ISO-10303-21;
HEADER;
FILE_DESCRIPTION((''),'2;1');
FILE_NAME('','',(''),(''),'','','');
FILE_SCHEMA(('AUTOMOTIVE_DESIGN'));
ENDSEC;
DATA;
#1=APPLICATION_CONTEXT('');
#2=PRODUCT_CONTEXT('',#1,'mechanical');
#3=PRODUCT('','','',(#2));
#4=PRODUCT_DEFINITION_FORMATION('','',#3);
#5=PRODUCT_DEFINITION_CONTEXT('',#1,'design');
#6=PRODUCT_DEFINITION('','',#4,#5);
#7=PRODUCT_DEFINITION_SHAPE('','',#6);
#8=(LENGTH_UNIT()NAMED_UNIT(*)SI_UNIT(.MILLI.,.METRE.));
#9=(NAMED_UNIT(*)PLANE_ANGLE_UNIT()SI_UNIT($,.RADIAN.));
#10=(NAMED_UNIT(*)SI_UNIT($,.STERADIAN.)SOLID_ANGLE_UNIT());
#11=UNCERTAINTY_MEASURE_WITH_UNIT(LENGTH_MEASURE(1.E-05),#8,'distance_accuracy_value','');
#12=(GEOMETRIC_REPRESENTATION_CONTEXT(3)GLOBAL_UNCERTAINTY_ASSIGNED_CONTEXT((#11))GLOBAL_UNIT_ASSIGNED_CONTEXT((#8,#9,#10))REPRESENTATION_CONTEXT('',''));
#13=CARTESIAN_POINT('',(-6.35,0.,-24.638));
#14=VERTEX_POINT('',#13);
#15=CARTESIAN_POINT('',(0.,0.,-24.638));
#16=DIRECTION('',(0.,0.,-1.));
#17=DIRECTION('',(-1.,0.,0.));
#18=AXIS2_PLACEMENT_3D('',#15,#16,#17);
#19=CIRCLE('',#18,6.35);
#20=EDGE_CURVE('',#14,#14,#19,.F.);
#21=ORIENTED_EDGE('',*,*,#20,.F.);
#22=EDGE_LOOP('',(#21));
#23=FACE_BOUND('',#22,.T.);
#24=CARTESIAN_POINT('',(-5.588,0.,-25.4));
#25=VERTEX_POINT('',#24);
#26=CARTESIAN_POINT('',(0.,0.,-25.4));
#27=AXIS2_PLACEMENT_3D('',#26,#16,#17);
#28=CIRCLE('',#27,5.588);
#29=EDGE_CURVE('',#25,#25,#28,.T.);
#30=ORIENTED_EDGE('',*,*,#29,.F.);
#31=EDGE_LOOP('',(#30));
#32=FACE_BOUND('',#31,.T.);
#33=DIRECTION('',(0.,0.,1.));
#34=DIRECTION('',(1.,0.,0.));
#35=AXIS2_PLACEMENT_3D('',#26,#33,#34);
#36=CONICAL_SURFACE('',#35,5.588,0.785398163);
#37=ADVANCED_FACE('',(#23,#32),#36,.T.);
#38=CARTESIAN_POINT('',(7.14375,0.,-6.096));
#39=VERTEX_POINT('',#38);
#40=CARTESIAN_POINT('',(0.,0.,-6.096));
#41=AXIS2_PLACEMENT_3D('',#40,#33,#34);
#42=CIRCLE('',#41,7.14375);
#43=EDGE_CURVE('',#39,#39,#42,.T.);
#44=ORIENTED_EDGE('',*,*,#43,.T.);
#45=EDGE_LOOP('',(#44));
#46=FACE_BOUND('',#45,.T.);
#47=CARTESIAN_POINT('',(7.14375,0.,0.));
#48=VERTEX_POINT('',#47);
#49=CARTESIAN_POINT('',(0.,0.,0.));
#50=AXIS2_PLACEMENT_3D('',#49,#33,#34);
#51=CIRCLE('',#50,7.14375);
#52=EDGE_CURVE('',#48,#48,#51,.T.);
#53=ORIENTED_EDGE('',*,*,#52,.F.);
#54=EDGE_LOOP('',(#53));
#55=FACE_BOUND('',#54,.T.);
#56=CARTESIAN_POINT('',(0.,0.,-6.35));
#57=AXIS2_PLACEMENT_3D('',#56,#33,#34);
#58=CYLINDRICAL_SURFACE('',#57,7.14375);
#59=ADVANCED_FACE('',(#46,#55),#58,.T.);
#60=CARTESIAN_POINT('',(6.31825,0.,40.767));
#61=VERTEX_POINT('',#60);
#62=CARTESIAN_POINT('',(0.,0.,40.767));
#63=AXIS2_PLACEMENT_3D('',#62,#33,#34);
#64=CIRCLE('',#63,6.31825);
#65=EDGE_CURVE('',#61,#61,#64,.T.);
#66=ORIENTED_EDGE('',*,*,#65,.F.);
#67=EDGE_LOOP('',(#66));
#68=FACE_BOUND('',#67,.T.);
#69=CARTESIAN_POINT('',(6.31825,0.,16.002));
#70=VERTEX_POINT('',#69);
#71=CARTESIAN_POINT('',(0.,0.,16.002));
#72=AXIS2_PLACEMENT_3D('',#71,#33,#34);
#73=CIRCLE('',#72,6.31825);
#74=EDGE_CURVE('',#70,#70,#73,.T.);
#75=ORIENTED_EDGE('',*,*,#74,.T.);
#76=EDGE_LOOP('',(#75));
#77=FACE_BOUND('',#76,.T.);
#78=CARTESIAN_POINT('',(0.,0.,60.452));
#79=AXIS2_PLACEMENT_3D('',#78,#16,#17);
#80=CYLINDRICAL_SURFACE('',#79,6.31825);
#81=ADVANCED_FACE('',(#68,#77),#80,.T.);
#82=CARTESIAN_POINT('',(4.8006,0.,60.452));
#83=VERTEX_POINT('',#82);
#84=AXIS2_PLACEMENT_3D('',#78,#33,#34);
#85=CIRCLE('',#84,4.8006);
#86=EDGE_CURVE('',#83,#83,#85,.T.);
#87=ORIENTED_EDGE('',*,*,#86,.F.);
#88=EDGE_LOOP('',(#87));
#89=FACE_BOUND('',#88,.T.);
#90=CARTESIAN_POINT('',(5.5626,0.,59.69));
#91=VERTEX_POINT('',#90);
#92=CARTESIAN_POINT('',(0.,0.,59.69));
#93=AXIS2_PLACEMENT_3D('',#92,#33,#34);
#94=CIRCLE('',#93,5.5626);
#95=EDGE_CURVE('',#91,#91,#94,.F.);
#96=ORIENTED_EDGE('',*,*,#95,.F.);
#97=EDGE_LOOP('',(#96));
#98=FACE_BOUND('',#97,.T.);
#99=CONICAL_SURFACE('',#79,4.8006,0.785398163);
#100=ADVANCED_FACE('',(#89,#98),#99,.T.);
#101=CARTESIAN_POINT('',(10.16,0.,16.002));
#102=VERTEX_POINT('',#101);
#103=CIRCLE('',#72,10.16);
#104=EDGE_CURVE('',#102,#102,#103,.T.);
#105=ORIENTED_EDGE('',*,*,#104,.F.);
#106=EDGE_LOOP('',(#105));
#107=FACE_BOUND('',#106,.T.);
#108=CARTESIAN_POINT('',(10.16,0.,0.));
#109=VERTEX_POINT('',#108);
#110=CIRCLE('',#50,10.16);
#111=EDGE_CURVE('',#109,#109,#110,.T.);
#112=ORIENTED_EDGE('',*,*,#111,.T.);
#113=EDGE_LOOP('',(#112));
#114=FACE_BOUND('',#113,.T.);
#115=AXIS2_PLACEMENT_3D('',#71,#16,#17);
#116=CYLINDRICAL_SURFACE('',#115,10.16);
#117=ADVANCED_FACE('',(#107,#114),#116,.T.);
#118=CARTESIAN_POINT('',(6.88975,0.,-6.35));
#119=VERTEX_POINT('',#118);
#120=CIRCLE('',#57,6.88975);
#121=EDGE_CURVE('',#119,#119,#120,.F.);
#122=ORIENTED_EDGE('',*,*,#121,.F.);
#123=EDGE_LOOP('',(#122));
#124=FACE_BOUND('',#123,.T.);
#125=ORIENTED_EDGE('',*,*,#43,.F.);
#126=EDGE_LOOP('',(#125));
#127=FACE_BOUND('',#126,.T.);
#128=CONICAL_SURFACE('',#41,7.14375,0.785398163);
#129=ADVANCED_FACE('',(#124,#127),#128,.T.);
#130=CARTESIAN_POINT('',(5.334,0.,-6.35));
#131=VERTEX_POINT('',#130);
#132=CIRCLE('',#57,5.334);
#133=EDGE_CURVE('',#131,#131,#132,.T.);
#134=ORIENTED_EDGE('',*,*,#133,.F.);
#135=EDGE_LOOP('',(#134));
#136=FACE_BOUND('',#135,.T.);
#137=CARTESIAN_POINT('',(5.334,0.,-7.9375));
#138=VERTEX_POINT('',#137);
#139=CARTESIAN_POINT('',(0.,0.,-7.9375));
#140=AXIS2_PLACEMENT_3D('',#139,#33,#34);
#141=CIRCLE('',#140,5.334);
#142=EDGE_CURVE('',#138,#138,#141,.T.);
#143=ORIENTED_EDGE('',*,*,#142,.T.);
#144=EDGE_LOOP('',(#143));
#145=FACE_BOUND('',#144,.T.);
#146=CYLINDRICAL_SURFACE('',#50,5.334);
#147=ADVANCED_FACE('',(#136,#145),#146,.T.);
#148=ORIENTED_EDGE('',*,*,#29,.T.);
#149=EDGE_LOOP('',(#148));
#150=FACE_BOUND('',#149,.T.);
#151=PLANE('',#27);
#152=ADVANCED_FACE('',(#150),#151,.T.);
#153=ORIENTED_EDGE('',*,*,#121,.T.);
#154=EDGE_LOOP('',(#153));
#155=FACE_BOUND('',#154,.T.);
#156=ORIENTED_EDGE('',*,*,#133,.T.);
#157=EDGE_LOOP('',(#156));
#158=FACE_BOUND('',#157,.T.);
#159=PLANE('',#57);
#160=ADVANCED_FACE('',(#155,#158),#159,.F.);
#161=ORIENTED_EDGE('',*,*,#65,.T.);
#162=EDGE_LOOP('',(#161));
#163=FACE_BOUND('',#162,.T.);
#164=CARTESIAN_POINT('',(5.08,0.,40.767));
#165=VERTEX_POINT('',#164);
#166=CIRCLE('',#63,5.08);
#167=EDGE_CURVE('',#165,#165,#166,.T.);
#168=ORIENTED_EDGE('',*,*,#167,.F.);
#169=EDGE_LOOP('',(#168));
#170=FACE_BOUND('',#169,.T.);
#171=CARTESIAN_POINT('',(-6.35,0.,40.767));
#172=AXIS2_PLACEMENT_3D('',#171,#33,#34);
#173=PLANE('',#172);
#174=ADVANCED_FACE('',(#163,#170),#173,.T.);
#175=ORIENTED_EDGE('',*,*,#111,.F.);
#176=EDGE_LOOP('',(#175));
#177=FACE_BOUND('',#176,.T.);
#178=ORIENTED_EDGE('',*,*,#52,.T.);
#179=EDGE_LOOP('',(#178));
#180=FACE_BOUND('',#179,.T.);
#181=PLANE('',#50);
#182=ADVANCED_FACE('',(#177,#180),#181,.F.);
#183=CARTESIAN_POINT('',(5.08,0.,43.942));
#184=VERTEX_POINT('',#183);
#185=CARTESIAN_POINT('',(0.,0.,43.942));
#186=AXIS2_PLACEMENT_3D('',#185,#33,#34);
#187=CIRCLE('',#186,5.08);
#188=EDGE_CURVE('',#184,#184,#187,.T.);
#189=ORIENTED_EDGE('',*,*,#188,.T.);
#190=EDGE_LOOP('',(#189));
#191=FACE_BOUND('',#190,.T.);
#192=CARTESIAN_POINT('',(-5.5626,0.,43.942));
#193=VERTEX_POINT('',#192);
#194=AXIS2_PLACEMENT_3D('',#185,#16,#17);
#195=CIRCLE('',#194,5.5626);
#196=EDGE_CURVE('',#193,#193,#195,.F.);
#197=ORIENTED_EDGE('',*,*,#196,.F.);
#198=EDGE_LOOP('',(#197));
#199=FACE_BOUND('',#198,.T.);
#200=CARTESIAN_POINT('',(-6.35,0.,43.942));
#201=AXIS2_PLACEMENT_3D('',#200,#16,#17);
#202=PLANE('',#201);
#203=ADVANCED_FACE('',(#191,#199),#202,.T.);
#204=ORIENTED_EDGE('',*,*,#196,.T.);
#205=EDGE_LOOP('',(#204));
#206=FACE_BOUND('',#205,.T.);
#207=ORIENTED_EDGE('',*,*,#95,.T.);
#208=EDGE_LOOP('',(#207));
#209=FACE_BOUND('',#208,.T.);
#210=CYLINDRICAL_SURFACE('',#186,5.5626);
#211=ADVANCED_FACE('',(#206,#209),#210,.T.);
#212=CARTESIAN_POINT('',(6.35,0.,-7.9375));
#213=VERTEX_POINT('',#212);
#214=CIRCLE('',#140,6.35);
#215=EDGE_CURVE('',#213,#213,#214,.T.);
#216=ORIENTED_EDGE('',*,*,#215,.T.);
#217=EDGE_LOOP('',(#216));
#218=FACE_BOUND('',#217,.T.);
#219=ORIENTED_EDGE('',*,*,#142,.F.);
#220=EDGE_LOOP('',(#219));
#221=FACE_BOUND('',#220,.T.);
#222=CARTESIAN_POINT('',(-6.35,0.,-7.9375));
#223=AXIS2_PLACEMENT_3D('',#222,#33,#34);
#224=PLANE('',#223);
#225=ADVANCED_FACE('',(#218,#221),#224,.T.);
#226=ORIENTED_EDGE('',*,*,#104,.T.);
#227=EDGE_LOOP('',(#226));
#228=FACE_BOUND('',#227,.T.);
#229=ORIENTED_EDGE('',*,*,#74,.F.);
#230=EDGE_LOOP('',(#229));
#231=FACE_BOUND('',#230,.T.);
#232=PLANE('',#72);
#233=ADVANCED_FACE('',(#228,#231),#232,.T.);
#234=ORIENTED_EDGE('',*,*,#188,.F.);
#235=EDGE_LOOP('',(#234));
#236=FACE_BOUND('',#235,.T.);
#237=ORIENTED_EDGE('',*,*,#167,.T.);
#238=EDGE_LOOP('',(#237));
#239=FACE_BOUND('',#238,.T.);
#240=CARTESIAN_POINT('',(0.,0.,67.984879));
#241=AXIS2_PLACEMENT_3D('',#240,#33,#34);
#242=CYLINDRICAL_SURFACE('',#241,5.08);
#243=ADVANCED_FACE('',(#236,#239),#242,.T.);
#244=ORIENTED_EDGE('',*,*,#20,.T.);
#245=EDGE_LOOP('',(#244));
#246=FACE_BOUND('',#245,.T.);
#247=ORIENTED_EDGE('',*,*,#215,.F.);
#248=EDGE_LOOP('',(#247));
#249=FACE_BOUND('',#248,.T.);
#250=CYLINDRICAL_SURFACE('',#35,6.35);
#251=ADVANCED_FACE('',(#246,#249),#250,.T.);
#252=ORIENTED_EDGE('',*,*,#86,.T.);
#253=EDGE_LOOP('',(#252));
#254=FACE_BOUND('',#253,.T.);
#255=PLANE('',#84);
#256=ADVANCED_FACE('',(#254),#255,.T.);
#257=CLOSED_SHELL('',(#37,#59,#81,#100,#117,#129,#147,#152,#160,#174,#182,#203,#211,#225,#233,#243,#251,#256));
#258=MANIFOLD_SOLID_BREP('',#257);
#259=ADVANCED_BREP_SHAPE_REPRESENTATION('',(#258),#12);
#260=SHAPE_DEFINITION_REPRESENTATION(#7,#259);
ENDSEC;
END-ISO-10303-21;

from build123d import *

# Parameters (mm, degrees)
SKETCH1_R           = 7.14375
BOSS_EXTRUDE1_DEPTH = 6.35
SKETCH2_R           = 10.16
BOSS_EXTRUDE2_DEPTH = 16.002
CHAMFER1_SIZE       = 0.254
SKETCH3_R           = 6.31825
BOSS_EXTRUDE3_DEPTH = 44.45
SKETCH5_R           = 6.35
BOSS_EXTRUDE4_DEPTH = 19.05
SKETCH11_R          = 6.31825
SKETCH11_R_2        = 5.5626
CUT_EXTRUDE2_DEPTH  = 16.51
CHAMFER2_SIZE       = 0.762
SKETCH8_W           = 1.016
SKETCH8_H           = 1.5875
SKETCH10_W          = 1.27
SKETCH10_H          = 3.175


with BuildPart() as part:
    # Sketch1 → Boss-Extrude1 (new body)
    with BuildSketch(Plane.XY):
        Circle(SKETCH1_R)
    extrude(amount=-BOSS_EXTRUDE1_DEPTH)

    # Sketch2 → Boss-Extrude2 (add)
    with BuildSketch(Plane.XY):
        Circle(SKETCH2_R)
    extrude(amount=BOSS_EXTRUDE2_DEPTH)

    # Chamfer1
    chamfer1_edges = [part.edges().sort_by_distance(p)[0] for p in [
        (-7.14375, 0, -6.35),
    ]]
    chamfer(chamfer1_edges, length=CHAMFER1_SIZE)

    # Sketch3 → Boss-Extrude3 (add)
    with BuildSketch(Plane.XY.offset(16.002)):
        Circle(SKETCH3_R)
    extrude(amount=BOSS_EXTRUDE3_DEPTH)

    # Sketch5 → Boss-Extrude4 (add)
    with BuildSketch(Plane(origin=(0, 0, -6.35), x_dir=(-1, 0, 0), z_dir=(0, 0, -1))):
        Circle(SKETCH5_R)
    extrude(amount=BOSS_EXTRUDE4_DEPTH)

    # Sketch11 → Cut-Extrude2 (cut)
    with BuildSketch(Plane.XY.offset(60.452)):
        Circle(SKETCH11_R)
        Circle(SKETCH11_R_2, mode=Mode.SUBTRACT)
    extrude(amount=-CUT_EXTRUDE2_DEPTH, mode=Mode.SUBTRACT)

    # Chamfer2
    chamfer2_edges = [part.edges().sort_by_distance(p)[0] for p in [
        (6.35, 0, -25.4),
        (-5.5626, 0, 60.452),
    ]]
    chamfer(chamfer2_edges, length=CHAMFER2_SIZE)

    # Sketch8 → Cut-Revolve3 (revolve, cut)
    with BuildSketch(Plane(origin=(0, 0, 0), x_dir=(1, 0, 0), z_dir=(0, 1, 0))):
        with Locations((-5.842, 7.14375)):
            Rectangle(SKETCH8_W, SKETCH8_H)
    revolve(axis=Axis((0, 0, 0), (0, 0, -1)), mode=Mode.SUBTRACT)

    # Sketch10 → Cut-Revolve4 (revolve, cut)
    with BuildSketch(Plane(origin=(0, 0, 0), x_dir=(1, 0, 0), z_dir=(0, 1, 0))):
        with Locations((-5.715, -42.3545)):
            Rectangle(SKETCH10_W, SKETCH10_H)
    revolve(axis=Axis((0, 0, 67.984878541), (0, 0, -1)), mode=Mode.SUBTRACT)


solid = part.part
